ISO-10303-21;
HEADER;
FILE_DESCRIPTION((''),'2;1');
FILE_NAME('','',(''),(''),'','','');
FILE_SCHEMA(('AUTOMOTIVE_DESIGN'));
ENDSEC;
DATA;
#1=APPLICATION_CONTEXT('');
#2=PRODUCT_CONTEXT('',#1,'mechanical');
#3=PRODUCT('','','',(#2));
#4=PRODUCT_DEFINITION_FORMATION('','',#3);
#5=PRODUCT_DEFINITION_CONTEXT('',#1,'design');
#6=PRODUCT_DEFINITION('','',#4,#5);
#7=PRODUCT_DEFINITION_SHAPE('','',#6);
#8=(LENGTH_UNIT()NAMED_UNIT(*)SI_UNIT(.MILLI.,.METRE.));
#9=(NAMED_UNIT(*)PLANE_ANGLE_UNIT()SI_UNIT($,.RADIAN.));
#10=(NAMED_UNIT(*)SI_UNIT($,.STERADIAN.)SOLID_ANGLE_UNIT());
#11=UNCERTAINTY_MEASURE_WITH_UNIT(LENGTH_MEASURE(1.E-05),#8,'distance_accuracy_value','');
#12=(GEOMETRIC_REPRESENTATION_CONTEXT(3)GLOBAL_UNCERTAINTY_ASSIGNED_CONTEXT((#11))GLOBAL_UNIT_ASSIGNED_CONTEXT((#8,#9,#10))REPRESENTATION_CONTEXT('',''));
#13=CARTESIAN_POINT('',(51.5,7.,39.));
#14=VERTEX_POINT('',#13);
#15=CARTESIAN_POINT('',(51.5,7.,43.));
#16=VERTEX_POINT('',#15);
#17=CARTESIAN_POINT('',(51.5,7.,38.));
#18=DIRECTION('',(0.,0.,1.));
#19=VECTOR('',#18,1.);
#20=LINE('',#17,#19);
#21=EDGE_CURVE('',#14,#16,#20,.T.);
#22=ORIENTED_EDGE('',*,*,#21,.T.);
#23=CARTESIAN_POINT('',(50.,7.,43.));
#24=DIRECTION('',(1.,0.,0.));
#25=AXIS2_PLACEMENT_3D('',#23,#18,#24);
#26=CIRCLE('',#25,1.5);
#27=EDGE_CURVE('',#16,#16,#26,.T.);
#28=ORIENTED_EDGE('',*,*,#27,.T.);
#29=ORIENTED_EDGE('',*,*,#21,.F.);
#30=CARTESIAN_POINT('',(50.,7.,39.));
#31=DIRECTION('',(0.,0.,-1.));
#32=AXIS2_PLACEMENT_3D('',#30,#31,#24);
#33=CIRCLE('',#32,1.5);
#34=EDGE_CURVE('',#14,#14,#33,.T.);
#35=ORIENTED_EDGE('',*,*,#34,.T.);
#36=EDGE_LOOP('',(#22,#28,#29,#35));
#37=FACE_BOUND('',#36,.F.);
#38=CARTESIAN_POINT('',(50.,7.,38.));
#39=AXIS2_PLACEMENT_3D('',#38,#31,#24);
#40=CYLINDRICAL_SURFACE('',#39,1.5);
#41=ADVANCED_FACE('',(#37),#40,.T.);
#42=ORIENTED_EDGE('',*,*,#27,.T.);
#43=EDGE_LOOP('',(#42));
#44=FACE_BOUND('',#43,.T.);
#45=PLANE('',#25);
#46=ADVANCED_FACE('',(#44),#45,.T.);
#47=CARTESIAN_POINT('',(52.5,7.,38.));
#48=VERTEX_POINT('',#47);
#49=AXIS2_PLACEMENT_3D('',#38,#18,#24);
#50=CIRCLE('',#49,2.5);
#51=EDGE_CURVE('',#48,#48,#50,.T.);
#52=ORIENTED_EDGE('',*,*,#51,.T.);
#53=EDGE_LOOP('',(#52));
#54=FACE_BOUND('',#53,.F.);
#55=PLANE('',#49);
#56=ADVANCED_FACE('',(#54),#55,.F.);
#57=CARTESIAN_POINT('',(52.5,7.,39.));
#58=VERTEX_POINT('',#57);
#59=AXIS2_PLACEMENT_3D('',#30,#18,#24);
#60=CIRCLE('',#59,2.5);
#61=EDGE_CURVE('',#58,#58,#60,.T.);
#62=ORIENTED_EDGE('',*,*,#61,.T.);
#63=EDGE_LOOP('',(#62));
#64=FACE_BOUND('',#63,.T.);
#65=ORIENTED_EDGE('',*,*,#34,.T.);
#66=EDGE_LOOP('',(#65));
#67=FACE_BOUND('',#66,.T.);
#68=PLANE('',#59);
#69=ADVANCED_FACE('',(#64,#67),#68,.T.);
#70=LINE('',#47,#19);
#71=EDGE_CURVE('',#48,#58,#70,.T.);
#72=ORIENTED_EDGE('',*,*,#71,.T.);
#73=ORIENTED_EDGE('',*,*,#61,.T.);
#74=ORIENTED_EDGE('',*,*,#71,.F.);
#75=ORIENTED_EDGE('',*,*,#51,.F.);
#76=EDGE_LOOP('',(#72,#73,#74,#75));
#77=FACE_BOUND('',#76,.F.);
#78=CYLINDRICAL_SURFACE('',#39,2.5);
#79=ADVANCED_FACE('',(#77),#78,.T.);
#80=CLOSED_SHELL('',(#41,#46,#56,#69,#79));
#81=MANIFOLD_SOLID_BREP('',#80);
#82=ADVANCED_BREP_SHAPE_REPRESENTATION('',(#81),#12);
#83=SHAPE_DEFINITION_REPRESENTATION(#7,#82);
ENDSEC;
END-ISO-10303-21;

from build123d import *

# Parameters (mm, degrees)
CYLINDER014_R     = 2.5
CYLINDER014_DEPTH = 1
CYLINDER013_R     = 1.5
CYLINDER013_DEPTH = 5


with BuildPart() as button_base:
    # Cylinder014 → Cylinder014 (new body)
    with BuildSketch(Plane(origin=(50, 7, 37), x_dir=(1, 0, 0), z_dir=(0, 0, 1))):
        Circle(CYLINDER014_R)
    extrude(amount=CYLINDER014_DEPTH)


with BuildPart() as button001:
    # Cylinder013 → Cylinder013 (new body)
    with BuildSketch(Plane(origin=(50, 7, 37), x_dir=(1, 0, 0), z_dir=(0, 0, 1))):
        Circle(CYLINDER013_R)
    extrude(amount=CYLINDER013_DEPTH)

    # Fusion009: union button_base
    add(button_base.part)


with BuildPart() as button001_1:
    # Fusion009 placement: moved
    add(button001.part.moved(Location((0, 0, 1))))


solid = button001_1.part
